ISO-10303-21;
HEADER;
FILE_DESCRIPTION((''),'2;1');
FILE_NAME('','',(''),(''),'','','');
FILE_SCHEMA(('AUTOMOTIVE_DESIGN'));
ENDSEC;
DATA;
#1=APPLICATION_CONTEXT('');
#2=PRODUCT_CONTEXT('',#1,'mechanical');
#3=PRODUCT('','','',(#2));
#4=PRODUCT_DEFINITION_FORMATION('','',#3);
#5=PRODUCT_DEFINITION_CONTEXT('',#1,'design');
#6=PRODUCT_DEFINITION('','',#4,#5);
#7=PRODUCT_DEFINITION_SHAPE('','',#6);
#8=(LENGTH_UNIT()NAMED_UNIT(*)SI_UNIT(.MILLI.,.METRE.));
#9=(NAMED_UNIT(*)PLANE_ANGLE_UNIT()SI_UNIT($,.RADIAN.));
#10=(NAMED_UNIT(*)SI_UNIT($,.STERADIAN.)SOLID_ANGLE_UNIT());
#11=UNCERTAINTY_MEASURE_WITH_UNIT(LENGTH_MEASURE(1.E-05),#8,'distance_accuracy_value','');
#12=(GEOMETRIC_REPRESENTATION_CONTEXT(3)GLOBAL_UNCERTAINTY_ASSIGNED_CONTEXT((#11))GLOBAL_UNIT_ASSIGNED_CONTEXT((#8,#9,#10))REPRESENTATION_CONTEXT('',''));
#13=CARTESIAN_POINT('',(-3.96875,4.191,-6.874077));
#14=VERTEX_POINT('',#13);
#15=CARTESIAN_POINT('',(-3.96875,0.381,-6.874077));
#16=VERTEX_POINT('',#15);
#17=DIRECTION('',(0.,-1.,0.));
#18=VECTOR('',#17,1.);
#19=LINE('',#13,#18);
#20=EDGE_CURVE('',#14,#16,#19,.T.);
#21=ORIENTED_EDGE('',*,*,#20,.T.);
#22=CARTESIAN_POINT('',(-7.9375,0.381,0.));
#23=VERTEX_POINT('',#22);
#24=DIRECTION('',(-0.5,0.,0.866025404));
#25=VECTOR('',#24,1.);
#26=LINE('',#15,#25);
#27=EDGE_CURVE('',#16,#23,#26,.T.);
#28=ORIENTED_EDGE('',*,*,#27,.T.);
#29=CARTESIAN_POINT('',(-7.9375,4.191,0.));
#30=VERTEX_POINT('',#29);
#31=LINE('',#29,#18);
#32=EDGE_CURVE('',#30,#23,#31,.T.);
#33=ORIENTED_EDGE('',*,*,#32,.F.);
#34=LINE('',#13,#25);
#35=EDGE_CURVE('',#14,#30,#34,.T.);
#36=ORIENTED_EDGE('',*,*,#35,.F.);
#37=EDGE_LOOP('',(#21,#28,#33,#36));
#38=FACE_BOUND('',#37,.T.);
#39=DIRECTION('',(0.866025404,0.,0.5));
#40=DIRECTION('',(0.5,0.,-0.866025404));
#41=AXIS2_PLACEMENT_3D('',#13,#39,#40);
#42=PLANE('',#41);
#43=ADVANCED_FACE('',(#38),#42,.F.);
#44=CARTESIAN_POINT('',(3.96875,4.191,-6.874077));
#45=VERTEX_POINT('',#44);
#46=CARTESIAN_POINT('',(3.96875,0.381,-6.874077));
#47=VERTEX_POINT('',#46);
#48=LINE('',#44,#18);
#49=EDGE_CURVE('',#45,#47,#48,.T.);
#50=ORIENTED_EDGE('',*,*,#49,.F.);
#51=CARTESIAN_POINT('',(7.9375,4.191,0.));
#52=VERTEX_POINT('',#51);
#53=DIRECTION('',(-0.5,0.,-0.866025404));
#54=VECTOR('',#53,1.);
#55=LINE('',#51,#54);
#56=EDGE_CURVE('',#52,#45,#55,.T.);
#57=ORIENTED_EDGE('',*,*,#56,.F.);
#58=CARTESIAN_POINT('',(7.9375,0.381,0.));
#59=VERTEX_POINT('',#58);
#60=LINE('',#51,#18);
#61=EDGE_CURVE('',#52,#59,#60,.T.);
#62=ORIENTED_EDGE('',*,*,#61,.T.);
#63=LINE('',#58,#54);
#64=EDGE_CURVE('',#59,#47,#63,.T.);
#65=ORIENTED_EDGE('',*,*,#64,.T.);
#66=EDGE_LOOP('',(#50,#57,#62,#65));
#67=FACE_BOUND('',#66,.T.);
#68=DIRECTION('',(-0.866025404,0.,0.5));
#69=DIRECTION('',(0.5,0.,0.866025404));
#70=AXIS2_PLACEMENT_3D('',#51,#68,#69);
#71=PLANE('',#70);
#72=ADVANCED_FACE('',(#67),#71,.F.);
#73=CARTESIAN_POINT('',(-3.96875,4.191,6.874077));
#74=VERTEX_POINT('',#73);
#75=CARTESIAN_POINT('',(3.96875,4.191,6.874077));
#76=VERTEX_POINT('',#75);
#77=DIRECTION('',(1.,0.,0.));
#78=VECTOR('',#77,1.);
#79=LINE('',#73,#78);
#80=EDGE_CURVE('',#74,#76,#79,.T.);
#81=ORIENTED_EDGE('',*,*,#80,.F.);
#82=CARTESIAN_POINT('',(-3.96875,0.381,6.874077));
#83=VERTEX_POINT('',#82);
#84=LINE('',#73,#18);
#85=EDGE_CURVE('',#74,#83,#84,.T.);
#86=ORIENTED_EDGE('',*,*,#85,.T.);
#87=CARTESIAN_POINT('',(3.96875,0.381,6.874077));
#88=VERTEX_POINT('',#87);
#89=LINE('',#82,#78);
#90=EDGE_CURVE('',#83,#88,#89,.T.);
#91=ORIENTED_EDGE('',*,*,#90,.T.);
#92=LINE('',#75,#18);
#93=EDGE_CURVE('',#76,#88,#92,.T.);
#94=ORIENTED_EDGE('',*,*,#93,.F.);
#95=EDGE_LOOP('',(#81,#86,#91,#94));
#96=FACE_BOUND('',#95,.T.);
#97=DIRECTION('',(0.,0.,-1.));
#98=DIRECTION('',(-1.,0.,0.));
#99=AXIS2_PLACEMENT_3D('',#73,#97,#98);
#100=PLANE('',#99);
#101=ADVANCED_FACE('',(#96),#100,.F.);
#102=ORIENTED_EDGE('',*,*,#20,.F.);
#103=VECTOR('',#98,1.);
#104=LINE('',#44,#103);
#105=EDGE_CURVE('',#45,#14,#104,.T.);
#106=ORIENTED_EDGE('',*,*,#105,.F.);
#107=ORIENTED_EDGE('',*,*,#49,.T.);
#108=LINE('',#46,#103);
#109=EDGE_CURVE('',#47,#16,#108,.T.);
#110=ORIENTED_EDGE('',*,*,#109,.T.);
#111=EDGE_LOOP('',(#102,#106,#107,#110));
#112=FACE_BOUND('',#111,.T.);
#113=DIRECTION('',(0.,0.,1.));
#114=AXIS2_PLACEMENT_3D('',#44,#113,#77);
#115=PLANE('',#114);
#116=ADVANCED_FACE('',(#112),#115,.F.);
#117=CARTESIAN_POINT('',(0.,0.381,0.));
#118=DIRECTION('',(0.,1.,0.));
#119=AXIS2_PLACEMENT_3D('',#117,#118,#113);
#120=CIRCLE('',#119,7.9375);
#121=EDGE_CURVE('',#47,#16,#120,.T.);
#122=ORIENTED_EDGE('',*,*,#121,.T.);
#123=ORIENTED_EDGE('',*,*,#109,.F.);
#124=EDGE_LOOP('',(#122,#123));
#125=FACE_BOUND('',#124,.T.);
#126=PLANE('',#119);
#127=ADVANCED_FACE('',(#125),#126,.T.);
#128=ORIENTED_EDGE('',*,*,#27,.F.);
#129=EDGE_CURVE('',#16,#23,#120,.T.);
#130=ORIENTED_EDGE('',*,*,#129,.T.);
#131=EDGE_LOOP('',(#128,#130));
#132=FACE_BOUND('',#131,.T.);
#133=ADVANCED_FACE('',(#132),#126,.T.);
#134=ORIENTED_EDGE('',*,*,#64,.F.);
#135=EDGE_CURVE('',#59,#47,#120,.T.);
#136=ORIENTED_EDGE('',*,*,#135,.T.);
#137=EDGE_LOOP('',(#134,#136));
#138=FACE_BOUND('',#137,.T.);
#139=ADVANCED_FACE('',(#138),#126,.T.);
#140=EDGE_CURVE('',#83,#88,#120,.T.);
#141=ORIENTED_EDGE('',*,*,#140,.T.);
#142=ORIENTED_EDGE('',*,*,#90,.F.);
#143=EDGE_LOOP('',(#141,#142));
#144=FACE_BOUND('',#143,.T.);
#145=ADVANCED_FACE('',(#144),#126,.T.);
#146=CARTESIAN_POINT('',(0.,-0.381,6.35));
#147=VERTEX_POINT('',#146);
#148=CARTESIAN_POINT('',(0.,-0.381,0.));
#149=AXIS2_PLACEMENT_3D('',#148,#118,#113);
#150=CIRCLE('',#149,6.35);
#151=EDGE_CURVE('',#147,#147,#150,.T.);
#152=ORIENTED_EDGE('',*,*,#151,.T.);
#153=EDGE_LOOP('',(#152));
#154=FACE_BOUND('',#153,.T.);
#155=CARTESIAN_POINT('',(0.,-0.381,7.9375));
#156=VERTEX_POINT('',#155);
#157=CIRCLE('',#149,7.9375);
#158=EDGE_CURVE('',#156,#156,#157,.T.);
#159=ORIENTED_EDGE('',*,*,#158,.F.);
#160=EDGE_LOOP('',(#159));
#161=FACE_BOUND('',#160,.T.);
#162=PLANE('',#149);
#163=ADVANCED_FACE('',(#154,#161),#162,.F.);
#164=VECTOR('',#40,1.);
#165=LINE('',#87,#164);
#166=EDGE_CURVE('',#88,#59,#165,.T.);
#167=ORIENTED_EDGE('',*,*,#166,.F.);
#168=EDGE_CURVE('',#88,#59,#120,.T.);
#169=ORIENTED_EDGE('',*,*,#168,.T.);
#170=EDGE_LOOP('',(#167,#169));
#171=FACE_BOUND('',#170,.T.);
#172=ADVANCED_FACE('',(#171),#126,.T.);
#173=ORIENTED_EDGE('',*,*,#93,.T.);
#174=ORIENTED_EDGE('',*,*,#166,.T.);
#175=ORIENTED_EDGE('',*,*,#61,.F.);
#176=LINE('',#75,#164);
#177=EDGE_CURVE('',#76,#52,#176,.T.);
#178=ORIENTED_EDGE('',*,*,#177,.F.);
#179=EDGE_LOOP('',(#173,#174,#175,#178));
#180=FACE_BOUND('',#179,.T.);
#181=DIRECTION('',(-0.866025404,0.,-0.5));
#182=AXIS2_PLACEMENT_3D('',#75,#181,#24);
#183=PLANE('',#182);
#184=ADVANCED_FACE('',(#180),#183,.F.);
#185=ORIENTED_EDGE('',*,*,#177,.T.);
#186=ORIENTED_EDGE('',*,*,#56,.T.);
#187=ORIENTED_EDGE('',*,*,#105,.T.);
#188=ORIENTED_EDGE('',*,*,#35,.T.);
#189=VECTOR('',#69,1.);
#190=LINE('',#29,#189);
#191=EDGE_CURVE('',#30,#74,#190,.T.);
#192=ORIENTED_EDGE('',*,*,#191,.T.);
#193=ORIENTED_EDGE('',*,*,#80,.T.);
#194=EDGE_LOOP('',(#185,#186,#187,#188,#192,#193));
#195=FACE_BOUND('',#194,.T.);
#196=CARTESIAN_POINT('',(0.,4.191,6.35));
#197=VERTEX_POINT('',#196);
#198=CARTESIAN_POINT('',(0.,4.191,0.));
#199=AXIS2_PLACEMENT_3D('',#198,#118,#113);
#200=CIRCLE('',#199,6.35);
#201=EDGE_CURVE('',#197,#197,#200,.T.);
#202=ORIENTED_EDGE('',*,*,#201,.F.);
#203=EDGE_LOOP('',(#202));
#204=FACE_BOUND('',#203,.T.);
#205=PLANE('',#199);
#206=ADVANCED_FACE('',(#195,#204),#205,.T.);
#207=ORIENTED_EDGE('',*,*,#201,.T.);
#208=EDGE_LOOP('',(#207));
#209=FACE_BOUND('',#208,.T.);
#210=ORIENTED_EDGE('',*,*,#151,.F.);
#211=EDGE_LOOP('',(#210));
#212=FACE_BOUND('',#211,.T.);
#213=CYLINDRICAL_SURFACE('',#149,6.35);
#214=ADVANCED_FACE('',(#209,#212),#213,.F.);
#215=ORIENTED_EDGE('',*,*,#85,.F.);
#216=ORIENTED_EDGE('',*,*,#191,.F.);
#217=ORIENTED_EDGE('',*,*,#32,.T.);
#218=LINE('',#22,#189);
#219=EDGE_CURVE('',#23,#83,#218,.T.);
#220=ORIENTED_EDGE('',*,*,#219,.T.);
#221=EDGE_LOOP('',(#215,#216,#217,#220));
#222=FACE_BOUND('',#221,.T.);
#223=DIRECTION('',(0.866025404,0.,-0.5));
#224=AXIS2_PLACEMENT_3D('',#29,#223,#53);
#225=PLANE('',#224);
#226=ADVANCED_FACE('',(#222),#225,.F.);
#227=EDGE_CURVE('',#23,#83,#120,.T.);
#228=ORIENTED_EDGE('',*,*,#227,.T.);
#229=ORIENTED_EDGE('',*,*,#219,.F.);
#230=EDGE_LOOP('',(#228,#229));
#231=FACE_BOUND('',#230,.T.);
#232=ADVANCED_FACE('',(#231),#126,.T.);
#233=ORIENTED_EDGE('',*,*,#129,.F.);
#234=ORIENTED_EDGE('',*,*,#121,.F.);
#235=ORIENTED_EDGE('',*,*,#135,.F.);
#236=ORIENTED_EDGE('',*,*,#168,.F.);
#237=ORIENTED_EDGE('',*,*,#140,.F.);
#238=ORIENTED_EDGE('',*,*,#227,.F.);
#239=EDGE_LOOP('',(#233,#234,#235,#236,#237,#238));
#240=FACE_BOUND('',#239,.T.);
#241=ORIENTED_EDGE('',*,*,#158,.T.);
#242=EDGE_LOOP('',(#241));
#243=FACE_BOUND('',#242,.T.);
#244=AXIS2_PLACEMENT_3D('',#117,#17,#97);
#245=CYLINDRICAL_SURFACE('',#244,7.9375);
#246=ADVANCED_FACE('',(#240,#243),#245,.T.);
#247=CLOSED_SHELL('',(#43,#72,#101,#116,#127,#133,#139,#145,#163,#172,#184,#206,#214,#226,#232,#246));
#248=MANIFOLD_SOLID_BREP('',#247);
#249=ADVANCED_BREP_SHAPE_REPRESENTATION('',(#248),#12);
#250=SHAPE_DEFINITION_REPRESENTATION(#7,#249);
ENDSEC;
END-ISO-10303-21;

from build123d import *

# Parameters (mm, degrees)
SKETCH1_R           = 7.9375
BOSS_EXTRUDE1_DEPTH = 0.381
BOSS_EXTRUDE2_DEPTH = 3.81
SKETCH3_R           = 6.35
CUT_EXTRUDE1_DEPTH  = 5.572


with BuildPart() as part:
    # Sketch1 → Boss-Extrude1 (new body, symmetric)
    with BuildSketch(Plane(origin=(0, 0, 0), x_dir=(1, 0, 0), z_dir=(0, 1, 0))):
        Circle(SKETCH1_R)
    extrude(amount=BOSS_EXTRUDE1_DEPTH, both=True)

    # Sketch2 → Boss-Extrude2 (add)
    with BuildSketch(Plane(origin=(0, 0.381, 0), x_dir=(1, 0, 0), z_dir=(0, 1, 0))):
        Polygon((-3.96875, -6.874076643), (3.96875, -6.874076643), (7.9375, 0), (3.96875, 6.874076643), (-3.96875, 6.874076643), (-7.9375, 0), align=None)
    extrude(amount=BOSS_EXTRUDE2_DEPTH)

    # Sketch3 → Cut-Extrude1 (cut, through all)
    with BuildSketch(Plane(origin=(0, 4.191, 0), x_dir=(1, 0, 0), z_dir=(0, 1, 0))):
        Circle(SKETCH3_R)
    extrude(amount=-CUT_EXTRUDE1_DEPTH, mode=Mode.SUBTRACT)


solid = part.part
